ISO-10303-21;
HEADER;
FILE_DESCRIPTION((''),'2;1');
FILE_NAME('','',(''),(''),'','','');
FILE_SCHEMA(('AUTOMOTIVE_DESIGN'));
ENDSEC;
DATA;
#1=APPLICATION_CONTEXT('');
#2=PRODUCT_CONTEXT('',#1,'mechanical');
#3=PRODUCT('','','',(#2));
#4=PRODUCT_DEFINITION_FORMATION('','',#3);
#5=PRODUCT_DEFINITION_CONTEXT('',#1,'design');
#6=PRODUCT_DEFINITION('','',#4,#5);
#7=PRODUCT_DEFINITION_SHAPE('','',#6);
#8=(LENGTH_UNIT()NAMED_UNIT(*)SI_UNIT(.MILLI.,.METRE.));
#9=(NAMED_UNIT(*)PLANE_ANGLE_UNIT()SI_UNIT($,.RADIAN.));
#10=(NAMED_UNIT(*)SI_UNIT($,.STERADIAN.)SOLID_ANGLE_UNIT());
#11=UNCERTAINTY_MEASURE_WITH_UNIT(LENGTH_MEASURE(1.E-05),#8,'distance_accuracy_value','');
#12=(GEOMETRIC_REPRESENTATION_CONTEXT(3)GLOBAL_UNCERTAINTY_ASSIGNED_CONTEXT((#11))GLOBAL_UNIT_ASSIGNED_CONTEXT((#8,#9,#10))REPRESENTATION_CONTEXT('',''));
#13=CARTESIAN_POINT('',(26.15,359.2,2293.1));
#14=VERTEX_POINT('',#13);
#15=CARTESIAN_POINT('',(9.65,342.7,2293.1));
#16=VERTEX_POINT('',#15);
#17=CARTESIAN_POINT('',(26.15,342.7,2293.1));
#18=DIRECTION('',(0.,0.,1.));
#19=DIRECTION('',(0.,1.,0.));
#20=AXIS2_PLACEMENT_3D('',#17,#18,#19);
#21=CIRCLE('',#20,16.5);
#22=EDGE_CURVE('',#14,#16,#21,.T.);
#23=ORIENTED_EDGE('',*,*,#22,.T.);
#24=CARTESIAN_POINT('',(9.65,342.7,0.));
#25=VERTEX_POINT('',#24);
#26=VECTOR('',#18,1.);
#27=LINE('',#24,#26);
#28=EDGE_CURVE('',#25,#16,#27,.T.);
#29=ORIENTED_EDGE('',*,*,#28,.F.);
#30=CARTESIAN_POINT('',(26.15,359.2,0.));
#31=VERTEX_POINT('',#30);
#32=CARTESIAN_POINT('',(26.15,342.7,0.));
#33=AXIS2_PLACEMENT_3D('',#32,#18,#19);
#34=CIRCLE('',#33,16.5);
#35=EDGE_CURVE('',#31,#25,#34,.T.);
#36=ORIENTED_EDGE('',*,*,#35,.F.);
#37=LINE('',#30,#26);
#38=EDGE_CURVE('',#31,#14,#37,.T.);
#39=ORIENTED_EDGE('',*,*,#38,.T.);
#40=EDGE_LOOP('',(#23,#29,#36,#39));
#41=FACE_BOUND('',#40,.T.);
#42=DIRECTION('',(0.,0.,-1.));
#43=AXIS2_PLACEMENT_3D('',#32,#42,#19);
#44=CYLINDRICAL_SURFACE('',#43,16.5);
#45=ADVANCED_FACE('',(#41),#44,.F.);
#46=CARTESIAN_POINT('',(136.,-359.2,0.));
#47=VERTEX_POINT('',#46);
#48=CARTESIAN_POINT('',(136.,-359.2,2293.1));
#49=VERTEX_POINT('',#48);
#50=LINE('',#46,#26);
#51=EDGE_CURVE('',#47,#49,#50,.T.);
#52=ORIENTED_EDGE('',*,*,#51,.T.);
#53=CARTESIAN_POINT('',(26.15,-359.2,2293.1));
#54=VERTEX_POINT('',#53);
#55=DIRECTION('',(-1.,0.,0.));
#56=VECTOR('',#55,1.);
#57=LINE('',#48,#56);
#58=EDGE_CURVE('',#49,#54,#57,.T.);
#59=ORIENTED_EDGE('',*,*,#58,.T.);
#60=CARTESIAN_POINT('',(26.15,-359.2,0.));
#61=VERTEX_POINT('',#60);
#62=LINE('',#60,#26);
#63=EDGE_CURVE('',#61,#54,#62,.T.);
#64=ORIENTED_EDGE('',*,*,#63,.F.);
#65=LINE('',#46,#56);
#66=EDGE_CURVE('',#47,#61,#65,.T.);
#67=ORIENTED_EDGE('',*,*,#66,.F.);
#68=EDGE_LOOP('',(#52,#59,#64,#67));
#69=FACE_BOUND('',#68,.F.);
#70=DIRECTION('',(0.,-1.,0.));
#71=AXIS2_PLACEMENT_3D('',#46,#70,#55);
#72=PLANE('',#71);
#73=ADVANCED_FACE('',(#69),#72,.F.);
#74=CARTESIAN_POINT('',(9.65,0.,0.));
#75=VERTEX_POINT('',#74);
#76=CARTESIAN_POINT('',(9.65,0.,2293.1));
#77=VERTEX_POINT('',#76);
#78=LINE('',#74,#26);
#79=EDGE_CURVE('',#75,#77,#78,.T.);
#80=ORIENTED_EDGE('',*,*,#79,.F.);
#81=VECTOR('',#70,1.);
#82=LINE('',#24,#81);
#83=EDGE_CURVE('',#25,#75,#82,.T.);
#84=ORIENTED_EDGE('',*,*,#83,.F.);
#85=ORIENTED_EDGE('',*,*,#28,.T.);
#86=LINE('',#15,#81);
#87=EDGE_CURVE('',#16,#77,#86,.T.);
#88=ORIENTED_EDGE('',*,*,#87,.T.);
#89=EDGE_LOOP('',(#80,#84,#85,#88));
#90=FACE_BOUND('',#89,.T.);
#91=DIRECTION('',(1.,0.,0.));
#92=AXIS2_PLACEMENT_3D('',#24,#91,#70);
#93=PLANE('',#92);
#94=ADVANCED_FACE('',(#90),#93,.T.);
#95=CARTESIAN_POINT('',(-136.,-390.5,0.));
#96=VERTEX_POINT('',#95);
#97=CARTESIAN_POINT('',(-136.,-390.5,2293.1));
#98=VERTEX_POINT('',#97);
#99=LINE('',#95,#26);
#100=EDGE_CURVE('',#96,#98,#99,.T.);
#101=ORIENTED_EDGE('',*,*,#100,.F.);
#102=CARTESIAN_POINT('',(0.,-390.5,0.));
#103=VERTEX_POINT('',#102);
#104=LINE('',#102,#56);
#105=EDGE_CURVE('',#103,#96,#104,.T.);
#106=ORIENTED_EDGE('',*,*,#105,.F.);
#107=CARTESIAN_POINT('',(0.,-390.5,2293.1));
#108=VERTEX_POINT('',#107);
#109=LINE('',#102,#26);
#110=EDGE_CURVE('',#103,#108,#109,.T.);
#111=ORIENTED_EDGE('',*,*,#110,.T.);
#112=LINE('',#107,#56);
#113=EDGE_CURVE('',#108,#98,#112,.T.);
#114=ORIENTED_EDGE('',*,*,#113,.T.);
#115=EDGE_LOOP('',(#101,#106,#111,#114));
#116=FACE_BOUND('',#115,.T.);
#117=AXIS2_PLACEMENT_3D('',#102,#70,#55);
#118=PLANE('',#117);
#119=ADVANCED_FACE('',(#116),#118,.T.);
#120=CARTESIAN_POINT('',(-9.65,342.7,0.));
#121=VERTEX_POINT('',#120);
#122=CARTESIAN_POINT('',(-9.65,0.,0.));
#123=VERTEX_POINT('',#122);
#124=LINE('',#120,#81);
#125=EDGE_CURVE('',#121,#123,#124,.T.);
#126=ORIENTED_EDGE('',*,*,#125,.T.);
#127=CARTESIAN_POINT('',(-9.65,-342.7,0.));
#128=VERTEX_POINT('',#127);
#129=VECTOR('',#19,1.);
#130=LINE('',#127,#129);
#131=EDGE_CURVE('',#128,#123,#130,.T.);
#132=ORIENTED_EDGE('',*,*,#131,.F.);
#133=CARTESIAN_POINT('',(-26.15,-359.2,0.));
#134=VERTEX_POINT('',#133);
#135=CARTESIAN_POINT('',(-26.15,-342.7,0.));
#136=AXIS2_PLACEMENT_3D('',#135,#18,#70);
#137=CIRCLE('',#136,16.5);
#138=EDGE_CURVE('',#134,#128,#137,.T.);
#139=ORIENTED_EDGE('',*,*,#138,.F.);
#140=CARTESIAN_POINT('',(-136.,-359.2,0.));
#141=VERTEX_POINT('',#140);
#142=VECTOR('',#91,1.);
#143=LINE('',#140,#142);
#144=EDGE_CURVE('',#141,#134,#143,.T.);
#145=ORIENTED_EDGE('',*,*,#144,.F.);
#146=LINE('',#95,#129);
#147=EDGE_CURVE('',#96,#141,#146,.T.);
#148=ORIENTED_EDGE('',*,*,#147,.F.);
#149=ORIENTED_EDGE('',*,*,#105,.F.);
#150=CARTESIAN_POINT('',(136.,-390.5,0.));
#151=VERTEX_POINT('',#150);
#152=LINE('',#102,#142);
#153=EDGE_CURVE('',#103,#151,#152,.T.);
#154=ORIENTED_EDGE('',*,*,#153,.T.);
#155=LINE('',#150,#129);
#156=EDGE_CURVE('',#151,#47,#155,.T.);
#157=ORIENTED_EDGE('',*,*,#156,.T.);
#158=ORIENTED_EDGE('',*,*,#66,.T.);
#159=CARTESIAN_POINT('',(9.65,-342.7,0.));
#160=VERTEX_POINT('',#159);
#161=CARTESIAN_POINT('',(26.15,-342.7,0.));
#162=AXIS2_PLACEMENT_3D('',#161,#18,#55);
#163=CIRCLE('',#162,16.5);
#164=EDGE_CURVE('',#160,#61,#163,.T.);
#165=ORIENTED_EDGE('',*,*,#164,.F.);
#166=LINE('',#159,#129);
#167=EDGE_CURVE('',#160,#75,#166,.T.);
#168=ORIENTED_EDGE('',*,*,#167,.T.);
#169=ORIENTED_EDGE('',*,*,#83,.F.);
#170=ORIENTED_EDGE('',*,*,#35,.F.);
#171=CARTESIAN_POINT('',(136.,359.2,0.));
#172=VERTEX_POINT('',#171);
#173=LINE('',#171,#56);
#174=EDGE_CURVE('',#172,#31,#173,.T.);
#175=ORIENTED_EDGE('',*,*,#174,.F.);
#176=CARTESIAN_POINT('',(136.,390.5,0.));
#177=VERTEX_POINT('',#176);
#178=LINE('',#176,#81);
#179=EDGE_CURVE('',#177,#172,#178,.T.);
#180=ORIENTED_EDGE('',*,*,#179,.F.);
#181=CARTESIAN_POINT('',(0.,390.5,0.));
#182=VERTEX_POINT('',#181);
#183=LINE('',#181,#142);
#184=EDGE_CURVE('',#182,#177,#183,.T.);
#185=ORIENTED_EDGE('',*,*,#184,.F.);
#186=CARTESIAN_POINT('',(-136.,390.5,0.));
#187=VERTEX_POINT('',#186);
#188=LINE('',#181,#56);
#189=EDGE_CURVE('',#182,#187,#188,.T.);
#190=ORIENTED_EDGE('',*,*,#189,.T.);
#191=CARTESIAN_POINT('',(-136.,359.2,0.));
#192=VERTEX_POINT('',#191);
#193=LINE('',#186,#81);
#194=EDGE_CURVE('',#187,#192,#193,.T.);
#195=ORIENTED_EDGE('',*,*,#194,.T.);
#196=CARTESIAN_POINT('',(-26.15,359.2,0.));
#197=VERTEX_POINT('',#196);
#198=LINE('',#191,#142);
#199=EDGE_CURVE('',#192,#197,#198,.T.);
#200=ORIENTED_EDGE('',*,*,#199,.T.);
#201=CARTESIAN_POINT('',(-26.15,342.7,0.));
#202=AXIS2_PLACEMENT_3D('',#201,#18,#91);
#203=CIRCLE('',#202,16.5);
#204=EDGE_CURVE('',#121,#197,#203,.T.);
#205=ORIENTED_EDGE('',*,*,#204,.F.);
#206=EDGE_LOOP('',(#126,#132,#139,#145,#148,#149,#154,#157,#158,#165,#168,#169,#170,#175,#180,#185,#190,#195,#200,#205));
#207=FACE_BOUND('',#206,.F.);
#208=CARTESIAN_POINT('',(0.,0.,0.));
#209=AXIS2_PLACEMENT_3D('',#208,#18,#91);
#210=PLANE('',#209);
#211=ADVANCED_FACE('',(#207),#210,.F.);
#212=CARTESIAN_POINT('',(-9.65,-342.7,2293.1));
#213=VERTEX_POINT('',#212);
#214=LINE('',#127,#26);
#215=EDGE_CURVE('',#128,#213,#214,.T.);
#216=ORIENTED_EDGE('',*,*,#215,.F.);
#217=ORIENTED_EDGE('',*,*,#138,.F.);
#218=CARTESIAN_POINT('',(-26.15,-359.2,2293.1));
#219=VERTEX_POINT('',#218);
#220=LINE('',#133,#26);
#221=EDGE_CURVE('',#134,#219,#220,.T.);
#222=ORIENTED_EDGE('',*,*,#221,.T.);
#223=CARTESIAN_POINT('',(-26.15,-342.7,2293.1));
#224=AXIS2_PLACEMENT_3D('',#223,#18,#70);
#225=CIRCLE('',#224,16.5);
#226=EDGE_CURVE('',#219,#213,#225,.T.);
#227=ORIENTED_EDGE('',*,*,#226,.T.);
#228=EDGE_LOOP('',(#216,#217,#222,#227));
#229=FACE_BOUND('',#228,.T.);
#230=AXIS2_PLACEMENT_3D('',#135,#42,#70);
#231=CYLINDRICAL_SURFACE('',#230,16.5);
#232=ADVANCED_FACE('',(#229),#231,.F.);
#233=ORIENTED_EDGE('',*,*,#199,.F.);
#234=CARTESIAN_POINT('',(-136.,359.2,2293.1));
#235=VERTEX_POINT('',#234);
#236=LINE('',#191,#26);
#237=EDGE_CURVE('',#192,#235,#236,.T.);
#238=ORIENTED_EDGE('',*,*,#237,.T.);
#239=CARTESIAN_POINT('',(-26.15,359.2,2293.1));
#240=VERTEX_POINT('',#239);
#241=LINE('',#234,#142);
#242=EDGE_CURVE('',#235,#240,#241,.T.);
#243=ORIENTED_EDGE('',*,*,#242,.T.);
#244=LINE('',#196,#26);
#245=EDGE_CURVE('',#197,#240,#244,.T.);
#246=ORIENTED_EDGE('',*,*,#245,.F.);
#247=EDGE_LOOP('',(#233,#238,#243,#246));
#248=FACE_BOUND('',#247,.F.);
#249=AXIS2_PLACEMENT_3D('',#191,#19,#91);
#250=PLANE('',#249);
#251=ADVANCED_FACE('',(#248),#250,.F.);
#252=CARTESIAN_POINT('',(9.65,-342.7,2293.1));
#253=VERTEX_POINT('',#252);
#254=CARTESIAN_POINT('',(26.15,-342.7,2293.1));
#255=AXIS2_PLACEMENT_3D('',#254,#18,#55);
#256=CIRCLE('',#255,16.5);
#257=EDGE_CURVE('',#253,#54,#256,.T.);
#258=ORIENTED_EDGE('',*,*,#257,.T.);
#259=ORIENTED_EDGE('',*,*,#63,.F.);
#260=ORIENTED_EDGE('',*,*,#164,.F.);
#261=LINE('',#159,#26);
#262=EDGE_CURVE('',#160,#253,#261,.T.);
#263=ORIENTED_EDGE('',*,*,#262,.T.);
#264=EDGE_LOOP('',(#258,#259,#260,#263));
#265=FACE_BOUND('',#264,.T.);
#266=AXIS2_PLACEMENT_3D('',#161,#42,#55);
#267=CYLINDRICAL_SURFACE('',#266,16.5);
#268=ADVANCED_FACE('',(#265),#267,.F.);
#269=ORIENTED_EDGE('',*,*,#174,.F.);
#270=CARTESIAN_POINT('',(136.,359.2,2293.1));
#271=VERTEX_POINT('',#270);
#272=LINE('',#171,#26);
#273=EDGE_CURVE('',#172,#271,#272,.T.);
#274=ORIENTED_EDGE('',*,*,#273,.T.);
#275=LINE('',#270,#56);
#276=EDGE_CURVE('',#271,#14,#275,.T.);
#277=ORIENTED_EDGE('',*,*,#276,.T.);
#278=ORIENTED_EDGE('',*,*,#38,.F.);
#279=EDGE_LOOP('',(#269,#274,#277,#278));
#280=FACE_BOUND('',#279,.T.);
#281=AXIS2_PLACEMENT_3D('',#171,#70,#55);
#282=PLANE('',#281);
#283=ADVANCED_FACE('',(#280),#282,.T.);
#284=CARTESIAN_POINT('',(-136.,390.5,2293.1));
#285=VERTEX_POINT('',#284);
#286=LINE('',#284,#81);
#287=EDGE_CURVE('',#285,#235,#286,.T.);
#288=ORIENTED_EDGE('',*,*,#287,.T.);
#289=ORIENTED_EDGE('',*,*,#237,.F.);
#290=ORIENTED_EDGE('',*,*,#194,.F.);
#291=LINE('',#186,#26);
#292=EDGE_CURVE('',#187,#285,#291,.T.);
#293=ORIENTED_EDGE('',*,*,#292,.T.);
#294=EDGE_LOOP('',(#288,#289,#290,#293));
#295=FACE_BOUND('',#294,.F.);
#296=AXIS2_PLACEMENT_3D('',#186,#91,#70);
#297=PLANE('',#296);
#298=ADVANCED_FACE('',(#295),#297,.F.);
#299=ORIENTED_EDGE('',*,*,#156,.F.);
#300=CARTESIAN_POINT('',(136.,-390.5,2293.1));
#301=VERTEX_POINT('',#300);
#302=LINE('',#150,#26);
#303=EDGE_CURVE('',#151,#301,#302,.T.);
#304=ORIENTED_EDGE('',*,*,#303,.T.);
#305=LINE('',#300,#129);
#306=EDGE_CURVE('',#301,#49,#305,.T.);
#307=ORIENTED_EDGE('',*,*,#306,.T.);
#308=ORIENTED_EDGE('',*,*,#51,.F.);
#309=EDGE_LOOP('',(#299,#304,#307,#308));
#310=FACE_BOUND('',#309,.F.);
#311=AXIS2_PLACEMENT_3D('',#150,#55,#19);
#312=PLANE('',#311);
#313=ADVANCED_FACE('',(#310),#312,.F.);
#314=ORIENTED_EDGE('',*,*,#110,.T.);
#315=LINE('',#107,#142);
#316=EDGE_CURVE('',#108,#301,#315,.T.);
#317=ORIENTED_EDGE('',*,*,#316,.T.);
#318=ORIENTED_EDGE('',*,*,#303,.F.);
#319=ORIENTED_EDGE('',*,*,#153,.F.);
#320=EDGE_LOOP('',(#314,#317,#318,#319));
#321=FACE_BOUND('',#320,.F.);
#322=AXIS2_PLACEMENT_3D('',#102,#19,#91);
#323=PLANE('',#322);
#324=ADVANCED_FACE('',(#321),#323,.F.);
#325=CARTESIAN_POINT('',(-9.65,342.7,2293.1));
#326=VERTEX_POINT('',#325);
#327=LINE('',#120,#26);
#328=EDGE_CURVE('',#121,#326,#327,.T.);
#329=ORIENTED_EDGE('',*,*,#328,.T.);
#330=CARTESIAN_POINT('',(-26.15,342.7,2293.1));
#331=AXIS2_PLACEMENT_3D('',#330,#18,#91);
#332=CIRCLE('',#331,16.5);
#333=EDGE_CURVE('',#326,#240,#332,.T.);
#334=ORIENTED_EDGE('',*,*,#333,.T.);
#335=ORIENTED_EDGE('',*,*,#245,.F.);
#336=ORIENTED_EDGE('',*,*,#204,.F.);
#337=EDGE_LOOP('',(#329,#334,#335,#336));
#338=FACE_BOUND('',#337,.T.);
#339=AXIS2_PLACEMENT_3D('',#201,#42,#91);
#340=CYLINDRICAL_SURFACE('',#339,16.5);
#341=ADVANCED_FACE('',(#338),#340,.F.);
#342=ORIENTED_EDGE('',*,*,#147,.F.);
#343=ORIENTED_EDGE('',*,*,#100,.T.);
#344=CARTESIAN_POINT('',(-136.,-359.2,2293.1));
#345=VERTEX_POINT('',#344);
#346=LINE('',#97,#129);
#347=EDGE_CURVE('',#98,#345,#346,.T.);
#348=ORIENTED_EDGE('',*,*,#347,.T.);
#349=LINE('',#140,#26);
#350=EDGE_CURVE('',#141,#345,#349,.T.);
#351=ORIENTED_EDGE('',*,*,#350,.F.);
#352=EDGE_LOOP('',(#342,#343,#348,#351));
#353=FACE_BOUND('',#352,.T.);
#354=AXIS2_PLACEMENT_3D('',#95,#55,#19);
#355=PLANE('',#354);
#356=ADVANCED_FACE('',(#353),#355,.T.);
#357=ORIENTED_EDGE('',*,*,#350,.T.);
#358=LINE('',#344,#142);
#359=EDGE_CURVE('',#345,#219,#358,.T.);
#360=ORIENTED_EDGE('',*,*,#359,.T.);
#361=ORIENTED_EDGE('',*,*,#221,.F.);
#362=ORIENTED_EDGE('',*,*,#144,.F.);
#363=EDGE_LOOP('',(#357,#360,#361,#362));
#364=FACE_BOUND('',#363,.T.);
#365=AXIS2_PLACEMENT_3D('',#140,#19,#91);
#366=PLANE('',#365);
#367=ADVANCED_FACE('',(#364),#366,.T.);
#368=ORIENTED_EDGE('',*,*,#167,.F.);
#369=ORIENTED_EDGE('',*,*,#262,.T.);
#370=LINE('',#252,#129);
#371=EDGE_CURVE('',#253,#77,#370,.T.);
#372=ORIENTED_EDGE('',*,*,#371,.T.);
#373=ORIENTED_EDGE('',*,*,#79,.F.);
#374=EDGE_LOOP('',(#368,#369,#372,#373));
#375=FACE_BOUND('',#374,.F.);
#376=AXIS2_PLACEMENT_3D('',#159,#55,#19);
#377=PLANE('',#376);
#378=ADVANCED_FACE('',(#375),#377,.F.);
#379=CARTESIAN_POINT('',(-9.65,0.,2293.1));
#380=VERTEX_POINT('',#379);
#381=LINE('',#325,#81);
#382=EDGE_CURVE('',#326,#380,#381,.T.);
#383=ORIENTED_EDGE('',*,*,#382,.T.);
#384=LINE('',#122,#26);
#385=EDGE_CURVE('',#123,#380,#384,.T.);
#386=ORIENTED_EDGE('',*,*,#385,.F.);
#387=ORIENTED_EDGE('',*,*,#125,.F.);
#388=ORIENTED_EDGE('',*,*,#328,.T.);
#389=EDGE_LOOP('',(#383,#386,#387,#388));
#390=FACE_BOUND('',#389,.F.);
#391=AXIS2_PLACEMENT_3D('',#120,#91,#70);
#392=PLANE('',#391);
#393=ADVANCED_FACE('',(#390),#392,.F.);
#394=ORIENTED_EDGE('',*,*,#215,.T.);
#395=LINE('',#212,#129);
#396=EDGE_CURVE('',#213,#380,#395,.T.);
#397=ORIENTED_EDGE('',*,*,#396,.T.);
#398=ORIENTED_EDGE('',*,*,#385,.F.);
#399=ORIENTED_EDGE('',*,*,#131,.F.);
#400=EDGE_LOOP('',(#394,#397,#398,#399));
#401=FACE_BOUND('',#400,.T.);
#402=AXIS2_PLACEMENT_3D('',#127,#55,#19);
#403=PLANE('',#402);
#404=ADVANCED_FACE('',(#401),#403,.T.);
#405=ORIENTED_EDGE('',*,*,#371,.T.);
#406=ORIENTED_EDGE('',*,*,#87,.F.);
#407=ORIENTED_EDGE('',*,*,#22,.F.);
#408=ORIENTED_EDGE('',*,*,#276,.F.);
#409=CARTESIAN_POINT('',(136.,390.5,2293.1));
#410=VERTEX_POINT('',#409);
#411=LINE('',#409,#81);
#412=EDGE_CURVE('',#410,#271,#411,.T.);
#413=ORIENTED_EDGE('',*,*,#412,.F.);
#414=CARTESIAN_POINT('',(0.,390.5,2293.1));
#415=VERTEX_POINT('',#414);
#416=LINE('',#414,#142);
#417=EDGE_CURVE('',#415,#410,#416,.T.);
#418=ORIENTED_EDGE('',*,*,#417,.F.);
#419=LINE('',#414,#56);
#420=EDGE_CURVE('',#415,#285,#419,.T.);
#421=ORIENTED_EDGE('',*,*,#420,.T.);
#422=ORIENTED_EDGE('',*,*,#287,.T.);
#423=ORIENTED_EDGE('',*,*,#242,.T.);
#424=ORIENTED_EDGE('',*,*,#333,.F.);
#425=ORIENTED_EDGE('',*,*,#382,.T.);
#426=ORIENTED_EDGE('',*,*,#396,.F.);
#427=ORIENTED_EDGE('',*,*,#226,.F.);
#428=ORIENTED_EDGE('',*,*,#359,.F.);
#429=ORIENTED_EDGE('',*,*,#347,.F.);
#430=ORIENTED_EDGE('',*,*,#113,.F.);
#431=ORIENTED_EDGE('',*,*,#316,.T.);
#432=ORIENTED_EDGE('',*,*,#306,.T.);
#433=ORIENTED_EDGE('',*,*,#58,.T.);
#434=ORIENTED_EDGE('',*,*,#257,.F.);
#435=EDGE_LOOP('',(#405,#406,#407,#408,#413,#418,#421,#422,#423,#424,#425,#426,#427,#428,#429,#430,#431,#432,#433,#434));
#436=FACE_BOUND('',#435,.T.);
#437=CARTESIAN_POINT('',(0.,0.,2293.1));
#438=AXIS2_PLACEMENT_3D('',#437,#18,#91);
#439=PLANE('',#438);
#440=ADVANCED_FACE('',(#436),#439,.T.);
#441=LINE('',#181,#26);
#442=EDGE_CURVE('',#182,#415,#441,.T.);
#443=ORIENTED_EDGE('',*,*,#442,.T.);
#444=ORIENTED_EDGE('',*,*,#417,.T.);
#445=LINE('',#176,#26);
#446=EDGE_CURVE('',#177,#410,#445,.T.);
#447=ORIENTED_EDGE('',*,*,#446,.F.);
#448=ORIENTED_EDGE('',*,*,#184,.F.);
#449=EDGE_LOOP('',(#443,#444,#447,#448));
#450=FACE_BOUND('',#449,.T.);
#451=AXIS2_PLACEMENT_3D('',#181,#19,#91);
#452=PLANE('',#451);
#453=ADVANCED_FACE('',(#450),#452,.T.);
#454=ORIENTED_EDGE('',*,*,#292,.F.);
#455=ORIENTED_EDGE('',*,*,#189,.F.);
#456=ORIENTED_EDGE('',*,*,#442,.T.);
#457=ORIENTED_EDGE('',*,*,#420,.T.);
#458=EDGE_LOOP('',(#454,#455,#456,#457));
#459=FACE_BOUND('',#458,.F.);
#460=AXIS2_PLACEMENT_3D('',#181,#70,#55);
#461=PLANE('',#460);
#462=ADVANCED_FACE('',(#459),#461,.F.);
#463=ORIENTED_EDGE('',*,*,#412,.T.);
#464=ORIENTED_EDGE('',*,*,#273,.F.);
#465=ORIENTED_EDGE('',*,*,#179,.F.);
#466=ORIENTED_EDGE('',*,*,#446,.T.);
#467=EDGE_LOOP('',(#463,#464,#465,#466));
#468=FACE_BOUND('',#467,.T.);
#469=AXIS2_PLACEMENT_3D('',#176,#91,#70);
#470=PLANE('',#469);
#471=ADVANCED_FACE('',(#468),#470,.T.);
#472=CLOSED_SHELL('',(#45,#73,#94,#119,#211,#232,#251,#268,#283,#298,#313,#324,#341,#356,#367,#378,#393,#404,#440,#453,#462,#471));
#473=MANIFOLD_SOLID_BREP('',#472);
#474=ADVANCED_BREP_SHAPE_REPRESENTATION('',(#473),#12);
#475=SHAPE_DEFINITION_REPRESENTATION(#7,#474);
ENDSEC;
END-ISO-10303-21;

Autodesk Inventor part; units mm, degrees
ref_plane "YZ Plane" through (0, 0, 0) normal (1, 0, 0) x (0, 1, 0)
ref_plane "Start plane" through (0, 0, 0) normal (0, 0, 1) x (1, 0, 0)
ref_plane "End plane" through (0, 0, 2293.1) normal (0, 0, 1) x (1, 0, 0)
sketch "Sketch" plane through (0, 0, 0) normal (0, 0, 1) x (1, 0, 0)
  line L0 (-136, -390.5) -> (-136, -359.2)
  line L1 (-136, -359.2) -> (-26.15, -359.2)
  line L2 (-9.65, -342.7) -> (-9.65, 0)
  line L3 (-9.65, 0) -> (0, 0) construction
  line L4 (0, 0) -> (0, -390.5) construction
  line L5 (0, -390.5) -> (-136, -390.5)
  line L6 (-60, 0) -> (80, 0) construction
  line L7 (0, -60) -> (0, 80) construction
  line L8 (136, -390.5) -> (136, -359.2)
  line L9 (136, -359.2) -> (26.15, -359.2)
  line L10 (9.65, -342.7) -> (9.65, 0)
  line L11 (9.65, 0) -> (0, 0) construction
  line L12 (0, -390.5) -> (136, -390.5)
  line L13 (-136, 390.5) -> (-136, 359.2)
  line L14 (-136, 359.2) -> (-26.15, 359.2)
  line L15 (-9.65, 342.7) -> (-9.65, 0)
  line L16 (0, 390.5) -> (-136, 390.5)
  line L17 (136, 390.5) -> (136, 359.2)
  line L18 (136, 359.2) -> (26.15, 359.2)
  line L19 (0, 390.5) -> (136, 390.5)
  line L20 (9.65, 342.7) -> (9.65, 0)
  arc A0 (-9.65, 342.7) -> (-26.15, 359.2) centre (-26.15, 342.7) ccw
  arc A1 (26.15, 359.2) -> (9.65, 342.7) centre (26.15, 342.7) ccw
  arc A2 (9.65, -342.7) -> (26.15, -359.2) centre (26.15, -342.7) ccw
  arc A3 (-26.15, -359.2) -> (-9.65, -342.7) centre (-26.15, -342.7) ccw
  line L21 (0, 108) -> (0, -88) construction
  line L22 (-88, 0) -> (108, 0) construction
  point P0 (-9.65, -359.2)
  point P1 (9.65, -359.2)
  point P2 (-9.65, 359.2)
  point P3 (9.65, 359.2)
  dimension "d1" = 390.5
  dimension "d2" = 31.3
  dimension "d3" = 136
  dimension "d4" = 9.65
  dimension "d10" = 16.5
extrude "Body" add sketch "Sketch" along normal up to surface (2293.1 mm away) from surface at 0
sketch "Sketch4" plane through (0, 0, 0) normal (0, 0, 1) x (1, 0, 0)
  line L0 (0, 0) -> (10, 0)
ref_plane "Work Plane3" through (0, 0, 0) normal (0, -1, 0) x (1, 0, 0)
sketch "Sketch5" plane through (0, 0, 0) normal (0, -1, 0) x (1, 0, 0)
  line L0 (-2, 0) -> (12, 0) projected
  line L1 (-2, 2293.1) -> (12, 2293.1) projected
  dimension "d14" = 2293.1
equation "\"d1\" = 0.5 * G_H"
equation "\"d2\" = G_T1"
equation "\"d3\" = 0.5 * G_W"
equation "\"d4\" = 0.5 * G_T"
equation "\"d10\" = G_IR"
equation "\"d5\" = G_L"
equation "\"G_W\" = 272"
equation "\"G_H\" = 781"
equation "\"G_T\" = 19.3"
equation "\"G_T1\" = 31.3"
equation "\"G_IR\" = 16.5"
equation "\"G_L\" = d14"
equation "\"G_OFFSET_START\" = 0"
equation "\"G_OFFSET_END\" = 0"
equation "\"d12\" = G_OFFSET_END + B_L"
equation "\"B_L\" = 2293.1"
properties part number "AS 3679-1990 - 760 UB - 244 - 2293.1" material "Steel, Mild"
